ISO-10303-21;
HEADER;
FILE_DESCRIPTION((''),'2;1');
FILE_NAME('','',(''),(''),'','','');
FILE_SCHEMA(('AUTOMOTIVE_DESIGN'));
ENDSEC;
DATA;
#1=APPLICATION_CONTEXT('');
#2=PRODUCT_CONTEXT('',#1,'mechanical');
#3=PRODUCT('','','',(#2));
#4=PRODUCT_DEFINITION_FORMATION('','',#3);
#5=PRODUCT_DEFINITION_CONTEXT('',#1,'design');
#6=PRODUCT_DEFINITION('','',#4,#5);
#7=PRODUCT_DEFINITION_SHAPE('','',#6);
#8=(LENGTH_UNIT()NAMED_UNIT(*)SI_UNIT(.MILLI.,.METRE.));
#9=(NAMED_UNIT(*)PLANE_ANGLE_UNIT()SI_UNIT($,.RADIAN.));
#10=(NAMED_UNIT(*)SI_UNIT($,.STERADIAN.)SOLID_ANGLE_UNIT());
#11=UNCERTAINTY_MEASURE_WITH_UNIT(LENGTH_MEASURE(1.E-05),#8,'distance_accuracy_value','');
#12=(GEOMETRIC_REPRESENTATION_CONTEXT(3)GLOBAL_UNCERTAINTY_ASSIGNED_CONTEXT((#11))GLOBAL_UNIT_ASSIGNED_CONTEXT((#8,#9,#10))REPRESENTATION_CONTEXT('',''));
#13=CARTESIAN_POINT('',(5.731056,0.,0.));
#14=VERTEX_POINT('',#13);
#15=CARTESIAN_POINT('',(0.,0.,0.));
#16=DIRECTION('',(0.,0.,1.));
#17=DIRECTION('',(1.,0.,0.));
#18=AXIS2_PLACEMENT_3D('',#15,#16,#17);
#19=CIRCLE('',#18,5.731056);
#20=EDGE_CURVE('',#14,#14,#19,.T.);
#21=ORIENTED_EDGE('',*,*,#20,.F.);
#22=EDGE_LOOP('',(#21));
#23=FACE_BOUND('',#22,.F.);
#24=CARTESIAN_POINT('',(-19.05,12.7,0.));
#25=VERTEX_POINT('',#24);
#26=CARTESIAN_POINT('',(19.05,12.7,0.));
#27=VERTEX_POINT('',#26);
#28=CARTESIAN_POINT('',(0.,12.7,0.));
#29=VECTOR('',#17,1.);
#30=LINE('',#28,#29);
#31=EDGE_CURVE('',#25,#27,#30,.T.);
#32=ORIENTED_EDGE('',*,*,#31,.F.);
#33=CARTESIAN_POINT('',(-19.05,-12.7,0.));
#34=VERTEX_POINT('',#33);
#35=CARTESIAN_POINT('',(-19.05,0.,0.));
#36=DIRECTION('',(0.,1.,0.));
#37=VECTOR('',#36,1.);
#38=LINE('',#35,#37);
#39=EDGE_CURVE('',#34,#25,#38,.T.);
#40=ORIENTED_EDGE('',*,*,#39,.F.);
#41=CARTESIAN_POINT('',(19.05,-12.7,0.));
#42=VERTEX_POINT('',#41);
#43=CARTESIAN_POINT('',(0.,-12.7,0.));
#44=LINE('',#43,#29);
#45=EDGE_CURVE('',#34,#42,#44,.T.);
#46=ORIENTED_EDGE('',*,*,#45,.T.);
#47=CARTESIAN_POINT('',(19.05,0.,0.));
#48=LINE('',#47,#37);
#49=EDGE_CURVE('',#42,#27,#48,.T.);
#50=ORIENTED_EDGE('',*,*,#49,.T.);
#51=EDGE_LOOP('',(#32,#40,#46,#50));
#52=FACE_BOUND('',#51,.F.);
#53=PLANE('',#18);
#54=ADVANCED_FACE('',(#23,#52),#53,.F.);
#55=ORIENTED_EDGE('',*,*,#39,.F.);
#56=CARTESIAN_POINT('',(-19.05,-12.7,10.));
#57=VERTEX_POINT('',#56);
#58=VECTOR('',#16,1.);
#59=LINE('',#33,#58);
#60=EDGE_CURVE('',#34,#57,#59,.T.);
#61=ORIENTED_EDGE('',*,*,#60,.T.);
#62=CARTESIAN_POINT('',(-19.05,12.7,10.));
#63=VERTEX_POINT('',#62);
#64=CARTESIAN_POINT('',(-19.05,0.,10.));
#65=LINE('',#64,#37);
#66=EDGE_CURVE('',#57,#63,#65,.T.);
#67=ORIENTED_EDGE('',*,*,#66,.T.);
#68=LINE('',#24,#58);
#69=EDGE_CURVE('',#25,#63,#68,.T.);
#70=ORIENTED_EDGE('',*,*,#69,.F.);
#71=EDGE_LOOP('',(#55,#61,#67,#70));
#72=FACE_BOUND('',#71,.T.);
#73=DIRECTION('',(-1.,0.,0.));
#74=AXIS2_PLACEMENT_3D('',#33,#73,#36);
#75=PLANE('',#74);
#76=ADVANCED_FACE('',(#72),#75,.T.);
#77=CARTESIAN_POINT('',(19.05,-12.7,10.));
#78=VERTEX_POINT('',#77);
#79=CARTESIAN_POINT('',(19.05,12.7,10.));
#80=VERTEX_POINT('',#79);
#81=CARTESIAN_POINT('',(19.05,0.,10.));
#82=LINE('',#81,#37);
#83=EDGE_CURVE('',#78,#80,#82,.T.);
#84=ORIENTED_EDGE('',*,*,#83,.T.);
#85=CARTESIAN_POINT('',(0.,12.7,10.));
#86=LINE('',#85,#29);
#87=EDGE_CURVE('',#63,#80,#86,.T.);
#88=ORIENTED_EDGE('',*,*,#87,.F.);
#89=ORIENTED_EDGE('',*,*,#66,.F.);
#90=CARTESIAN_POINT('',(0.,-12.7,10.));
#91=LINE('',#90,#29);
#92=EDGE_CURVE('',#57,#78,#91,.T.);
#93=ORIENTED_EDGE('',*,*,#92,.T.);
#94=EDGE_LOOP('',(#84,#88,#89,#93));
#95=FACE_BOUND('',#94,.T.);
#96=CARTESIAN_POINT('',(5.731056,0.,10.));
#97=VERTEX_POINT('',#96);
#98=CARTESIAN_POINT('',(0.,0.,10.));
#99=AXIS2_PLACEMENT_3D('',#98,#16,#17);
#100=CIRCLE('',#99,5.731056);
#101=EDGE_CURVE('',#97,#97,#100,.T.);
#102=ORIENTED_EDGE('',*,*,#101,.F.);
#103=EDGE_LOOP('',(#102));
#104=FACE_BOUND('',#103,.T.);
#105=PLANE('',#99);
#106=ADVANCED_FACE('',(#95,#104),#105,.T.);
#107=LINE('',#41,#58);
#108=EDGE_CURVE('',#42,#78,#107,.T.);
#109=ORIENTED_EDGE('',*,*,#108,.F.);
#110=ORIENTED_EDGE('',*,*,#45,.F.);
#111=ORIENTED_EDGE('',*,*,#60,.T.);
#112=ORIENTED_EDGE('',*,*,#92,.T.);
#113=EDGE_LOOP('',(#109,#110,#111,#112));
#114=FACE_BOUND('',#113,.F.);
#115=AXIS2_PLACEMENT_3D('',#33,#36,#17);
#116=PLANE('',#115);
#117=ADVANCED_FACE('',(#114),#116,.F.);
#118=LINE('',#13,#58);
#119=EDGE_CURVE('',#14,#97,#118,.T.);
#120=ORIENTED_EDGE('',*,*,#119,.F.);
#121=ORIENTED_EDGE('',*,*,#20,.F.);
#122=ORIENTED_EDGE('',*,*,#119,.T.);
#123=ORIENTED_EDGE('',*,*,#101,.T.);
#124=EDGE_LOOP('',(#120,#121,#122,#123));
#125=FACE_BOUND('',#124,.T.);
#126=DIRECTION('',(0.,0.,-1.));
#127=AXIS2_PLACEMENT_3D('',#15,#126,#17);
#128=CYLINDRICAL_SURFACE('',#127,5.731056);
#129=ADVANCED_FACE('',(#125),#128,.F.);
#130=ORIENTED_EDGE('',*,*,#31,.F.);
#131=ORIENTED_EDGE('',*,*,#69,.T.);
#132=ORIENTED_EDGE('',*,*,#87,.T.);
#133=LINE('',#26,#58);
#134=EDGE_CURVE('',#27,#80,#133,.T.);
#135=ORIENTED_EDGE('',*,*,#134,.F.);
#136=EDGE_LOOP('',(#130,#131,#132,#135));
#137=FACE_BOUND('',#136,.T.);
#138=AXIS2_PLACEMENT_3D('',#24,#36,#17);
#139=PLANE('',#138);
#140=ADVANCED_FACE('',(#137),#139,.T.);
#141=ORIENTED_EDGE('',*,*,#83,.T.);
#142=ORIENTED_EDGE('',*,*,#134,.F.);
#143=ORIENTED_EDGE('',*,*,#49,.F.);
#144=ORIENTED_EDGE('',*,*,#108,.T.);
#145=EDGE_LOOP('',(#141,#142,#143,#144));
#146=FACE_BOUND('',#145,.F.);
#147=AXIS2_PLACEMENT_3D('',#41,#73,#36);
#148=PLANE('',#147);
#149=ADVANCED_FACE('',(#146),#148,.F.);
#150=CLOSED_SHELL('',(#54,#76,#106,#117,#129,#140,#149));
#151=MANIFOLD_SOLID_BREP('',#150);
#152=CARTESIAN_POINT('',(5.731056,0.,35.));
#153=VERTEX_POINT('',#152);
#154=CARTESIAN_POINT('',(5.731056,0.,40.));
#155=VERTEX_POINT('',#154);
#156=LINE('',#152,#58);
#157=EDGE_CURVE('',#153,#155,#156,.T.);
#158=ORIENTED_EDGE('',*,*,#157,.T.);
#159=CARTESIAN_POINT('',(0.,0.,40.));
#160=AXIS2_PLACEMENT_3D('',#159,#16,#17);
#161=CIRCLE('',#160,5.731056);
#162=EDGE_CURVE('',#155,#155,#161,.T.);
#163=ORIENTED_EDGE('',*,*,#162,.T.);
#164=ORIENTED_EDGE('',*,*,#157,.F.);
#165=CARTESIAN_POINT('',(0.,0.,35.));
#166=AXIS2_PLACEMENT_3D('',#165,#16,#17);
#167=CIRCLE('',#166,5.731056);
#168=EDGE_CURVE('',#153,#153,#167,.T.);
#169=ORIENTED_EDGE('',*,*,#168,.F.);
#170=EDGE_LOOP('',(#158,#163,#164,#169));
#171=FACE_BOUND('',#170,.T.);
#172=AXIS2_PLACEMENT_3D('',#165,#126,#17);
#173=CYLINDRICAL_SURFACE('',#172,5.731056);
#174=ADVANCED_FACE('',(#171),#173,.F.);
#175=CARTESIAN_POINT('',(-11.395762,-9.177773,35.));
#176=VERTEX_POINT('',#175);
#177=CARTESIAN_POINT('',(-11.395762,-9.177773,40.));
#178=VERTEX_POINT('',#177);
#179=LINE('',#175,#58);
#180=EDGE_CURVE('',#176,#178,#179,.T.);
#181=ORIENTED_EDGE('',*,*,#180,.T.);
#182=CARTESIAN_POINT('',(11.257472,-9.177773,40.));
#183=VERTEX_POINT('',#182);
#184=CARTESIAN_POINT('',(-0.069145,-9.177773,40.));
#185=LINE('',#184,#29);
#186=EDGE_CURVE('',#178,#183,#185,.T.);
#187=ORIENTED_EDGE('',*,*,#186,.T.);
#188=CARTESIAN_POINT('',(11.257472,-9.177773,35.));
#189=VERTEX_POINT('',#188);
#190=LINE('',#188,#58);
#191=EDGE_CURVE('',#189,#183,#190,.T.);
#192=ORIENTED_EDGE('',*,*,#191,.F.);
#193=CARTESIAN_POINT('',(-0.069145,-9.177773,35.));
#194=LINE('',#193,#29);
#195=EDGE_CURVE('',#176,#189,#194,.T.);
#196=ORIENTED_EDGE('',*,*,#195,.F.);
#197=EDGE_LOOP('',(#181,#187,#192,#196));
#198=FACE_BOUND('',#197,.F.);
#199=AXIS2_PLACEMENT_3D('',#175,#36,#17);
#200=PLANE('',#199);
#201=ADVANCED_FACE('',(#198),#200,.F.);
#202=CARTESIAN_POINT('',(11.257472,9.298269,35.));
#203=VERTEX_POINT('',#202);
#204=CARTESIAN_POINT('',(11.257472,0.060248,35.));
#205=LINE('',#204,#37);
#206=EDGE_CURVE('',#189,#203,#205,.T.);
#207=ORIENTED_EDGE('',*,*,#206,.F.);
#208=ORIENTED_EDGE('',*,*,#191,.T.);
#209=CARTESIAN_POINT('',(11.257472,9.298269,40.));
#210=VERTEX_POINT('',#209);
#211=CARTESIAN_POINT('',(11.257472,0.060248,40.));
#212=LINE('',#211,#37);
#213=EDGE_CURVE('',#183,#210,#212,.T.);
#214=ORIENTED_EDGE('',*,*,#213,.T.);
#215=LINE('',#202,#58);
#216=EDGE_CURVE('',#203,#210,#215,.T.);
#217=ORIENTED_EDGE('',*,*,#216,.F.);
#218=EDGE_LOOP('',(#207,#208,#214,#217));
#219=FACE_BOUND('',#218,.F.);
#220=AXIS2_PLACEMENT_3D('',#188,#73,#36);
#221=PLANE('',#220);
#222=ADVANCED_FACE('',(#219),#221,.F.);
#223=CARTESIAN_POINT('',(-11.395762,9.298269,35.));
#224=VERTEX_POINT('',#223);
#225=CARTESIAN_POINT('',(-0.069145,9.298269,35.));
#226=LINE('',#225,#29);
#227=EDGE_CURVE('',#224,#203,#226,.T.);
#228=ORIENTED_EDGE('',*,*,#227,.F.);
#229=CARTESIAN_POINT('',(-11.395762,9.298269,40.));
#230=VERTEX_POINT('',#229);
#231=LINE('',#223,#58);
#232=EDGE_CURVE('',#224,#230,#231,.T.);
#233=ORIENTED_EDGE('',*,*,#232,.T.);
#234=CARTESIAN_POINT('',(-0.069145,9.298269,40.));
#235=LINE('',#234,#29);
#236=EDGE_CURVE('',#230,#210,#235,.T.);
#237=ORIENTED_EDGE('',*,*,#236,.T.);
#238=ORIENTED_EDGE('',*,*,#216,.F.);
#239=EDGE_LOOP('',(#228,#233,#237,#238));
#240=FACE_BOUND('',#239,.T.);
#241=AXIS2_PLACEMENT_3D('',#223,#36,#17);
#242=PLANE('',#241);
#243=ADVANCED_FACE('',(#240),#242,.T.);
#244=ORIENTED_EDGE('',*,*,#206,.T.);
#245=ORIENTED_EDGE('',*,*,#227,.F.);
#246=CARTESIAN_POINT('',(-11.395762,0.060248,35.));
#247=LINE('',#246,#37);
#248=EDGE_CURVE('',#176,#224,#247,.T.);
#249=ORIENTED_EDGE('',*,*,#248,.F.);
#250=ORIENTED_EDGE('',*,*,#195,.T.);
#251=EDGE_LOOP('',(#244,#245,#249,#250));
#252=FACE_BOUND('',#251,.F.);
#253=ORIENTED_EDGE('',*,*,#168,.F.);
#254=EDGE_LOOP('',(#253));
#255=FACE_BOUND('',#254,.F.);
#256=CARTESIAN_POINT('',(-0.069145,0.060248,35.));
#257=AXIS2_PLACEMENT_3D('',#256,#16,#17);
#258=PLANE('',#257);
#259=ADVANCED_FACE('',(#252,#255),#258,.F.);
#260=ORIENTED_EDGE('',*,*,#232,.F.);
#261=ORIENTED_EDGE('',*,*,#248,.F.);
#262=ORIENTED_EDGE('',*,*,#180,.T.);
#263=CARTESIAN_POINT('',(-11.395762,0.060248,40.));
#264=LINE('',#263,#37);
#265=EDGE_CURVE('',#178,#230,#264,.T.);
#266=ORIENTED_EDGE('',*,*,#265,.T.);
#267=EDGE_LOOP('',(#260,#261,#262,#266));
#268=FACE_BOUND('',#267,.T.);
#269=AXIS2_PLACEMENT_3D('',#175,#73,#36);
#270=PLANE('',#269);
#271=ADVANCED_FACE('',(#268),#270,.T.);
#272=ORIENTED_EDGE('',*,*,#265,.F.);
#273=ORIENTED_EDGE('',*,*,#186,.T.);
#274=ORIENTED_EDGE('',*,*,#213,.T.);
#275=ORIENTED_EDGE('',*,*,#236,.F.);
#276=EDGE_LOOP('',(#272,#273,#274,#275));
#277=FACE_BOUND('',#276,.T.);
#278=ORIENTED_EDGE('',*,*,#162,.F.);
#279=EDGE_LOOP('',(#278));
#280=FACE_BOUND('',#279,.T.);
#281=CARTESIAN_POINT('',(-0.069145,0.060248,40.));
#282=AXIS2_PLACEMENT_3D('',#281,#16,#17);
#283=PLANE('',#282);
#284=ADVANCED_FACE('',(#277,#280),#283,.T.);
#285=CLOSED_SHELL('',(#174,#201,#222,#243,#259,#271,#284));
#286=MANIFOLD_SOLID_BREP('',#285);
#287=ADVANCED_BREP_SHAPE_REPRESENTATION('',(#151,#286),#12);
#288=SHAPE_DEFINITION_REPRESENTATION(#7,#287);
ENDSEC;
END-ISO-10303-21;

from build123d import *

# Parameters (mm, degrees)
F0_W     = 38.1
F0_H     = 25.4
F0_R     = 5.731056
F1_DEPTH = 10
F4_W     = 22.653234
F4_H     = 18.476042
F4_R     = 5.731056
F5_DEPTH = 5


with BuildPart() as f1:
    # F0 (on Top) → F1 (new body)
    with BuildSketch(Plane.XY):
        Rectangle(F0_W, F0_H)
        Circle(F0_R, mode=Mode.SUBTRACT)
    extrude(amount=F1_DEPTH)


with BuildPart() as f5:
    # F4 (on offset) → F5 (new body)
    with BuildSketch(Plane.XY.offset(35)):
        with Locations((-0.069145, 0.060248)):
            Rectangle(F4_W, F4_H)
        Circle(F4_R, mode=Mode.SUBTRACT)
    extrude(amount=F5_DEPTH)


solid = Compound([f1.part, f5.part])
